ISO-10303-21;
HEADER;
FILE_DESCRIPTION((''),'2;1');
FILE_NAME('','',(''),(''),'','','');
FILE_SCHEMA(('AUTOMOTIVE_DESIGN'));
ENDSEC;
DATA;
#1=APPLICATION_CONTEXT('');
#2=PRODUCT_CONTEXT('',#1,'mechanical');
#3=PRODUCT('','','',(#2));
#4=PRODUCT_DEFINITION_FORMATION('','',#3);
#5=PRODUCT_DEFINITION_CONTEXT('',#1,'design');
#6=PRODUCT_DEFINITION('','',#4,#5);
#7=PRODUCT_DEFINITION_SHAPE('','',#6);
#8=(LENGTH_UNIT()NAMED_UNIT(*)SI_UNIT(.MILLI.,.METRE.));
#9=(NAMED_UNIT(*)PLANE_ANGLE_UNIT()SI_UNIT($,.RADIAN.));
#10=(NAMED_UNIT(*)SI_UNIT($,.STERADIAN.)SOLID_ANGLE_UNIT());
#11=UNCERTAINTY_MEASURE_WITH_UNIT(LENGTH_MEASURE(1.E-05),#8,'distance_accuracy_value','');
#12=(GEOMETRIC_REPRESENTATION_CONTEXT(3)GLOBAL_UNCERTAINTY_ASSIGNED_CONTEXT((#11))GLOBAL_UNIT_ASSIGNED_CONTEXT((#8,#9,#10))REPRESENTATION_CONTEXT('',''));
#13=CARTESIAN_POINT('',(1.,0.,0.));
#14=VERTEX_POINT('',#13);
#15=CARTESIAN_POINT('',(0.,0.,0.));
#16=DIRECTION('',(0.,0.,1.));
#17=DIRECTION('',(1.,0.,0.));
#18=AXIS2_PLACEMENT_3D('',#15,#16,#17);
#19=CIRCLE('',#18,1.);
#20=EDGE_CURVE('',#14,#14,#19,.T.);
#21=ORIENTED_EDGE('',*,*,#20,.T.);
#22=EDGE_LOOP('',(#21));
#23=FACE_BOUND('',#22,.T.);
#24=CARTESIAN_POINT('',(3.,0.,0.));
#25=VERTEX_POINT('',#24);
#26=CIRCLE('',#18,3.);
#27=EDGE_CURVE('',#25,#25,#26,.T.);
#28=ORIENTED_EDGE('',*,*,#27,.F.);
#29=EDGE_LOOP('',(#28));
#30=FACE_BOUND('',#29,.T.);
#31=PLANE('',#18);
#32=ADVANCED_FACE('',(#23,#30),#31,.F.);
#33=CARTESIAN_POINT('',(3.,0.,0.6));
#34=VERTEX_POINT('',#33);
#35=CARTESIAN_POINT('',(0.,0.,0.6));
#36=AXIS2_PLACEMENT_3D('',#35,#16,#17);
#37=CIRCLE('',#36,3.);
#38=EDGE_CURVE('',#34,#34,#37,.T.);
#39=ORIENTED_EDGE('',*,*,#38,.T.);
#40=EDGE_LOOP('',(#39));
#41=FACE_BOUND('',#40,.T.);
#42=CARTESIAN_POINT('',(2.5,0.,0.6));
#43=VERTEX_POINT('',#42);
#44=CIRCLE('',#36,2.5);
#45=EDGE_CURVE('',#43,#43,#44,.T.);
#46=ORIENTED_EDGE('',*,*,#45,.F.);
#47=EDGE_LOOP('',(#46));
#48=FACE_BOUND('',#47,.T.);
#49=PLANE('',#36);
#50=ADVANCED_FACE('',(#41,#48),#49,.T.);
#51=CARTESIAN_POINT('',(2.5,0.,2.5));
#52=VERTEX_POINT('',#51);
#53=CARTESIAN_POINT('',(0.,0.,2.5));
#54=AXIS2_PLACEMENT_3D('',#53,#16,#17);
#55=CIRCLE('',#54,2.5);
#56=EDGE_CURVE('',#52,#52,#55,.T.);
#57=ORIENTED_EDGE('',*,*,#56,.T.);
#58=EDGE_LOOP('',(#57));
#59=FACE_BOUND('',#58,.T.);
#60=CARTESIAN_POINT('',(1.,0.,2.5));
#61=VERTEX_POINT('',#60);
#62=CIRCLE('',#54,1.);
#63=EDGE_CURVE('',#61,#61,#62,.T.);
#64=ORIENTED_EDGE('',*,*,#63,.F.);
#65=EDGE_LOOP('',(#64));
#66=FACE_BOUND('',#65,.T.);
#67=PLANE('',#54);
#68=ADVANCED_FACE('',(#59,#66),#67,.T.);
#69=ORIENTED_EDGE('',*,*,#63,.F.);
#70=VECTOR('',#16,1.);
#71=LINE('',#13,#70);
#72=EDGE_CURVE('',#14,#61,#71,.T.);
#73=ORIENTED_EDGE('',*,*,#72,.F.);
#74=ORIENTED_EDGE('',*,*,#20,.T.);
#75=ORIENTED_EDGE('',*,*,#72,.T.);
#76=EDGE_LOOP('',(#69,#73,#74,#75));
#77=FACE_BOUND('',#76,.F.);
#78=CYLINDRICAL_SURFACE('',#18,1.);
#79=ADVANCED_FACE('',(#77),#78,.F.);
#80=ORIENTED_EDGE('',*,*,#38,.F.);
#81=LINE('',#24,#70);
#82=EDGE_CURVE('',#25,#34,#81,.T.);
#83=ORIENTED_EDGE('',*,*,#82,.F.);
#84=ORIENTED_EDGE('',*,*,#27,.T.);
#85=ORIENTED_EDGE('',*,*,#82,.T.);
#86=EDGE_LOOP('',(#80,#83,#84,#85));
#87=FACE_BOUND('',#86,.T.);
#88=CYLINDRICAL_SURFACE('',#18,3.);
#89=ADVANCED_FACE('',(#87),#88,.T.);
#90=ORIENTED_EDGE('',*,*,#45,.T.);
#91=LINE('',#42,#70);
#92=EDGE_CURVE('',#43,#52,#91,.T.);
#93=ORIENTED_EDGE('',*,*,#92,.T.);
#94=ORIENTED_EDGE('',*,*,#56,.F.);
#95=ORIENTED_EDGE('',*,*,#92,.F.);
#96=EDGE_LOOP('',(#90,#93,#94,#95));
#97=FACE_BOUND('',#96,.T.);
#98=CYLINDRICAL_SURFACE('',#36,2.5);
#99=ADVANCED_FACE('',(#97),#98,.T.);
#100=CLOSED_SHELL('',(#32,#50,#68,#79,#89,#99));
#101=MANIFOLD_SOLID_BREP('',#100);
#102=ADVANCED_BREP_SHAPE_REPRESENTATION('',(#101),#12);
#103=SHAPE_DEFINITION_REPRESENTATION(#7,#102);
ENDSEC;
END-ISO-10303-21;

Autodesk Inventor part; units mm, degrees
ref_plane "YZ Plane" through (0, 0, 0) normal (1, 0, 0) x (0, 1, 0)
ref_plane "XZ Plane" through (0, 0, 0) normal (0, 1, 0) x (-1, 0, 0)
ref_plane "XY Plane" through (0, 0, 0) normal (0, 0, 1) x (1, 0, 0)
sketch "Sketch1" plane through (0, 0, 0) normal (0, 1, 0) x (-1, 0, 0)
  line L0 (0, 0) -> (0, 7.0304)
  line L1 (-1, 0) -> (-3, 0)
  line L2 (-3, 0) -> (-3, 0.6)
  line L3 (-3, 0.6) -> (-2.5, 0.6)
  line L4 (-2.5, 0.6) -> (-2.5, 2.5)
  line L5 (-2.5, 2.5) -> (-1, 2.5)
  line L6 (-1, 0) -> (-1, 2.5)
  dimension "d0" = 5
  dimension "d1" = 0.6
  dimension "d2" = 2.5
  dimension "d3" = 6
  dimension "d5" = 2
revolve "Revolution1" add sketch "Sketch1" angle 360 about axis through (0, 0, 0) along (0, 0, 1)
properties part number "rotating_finger-bearing"
